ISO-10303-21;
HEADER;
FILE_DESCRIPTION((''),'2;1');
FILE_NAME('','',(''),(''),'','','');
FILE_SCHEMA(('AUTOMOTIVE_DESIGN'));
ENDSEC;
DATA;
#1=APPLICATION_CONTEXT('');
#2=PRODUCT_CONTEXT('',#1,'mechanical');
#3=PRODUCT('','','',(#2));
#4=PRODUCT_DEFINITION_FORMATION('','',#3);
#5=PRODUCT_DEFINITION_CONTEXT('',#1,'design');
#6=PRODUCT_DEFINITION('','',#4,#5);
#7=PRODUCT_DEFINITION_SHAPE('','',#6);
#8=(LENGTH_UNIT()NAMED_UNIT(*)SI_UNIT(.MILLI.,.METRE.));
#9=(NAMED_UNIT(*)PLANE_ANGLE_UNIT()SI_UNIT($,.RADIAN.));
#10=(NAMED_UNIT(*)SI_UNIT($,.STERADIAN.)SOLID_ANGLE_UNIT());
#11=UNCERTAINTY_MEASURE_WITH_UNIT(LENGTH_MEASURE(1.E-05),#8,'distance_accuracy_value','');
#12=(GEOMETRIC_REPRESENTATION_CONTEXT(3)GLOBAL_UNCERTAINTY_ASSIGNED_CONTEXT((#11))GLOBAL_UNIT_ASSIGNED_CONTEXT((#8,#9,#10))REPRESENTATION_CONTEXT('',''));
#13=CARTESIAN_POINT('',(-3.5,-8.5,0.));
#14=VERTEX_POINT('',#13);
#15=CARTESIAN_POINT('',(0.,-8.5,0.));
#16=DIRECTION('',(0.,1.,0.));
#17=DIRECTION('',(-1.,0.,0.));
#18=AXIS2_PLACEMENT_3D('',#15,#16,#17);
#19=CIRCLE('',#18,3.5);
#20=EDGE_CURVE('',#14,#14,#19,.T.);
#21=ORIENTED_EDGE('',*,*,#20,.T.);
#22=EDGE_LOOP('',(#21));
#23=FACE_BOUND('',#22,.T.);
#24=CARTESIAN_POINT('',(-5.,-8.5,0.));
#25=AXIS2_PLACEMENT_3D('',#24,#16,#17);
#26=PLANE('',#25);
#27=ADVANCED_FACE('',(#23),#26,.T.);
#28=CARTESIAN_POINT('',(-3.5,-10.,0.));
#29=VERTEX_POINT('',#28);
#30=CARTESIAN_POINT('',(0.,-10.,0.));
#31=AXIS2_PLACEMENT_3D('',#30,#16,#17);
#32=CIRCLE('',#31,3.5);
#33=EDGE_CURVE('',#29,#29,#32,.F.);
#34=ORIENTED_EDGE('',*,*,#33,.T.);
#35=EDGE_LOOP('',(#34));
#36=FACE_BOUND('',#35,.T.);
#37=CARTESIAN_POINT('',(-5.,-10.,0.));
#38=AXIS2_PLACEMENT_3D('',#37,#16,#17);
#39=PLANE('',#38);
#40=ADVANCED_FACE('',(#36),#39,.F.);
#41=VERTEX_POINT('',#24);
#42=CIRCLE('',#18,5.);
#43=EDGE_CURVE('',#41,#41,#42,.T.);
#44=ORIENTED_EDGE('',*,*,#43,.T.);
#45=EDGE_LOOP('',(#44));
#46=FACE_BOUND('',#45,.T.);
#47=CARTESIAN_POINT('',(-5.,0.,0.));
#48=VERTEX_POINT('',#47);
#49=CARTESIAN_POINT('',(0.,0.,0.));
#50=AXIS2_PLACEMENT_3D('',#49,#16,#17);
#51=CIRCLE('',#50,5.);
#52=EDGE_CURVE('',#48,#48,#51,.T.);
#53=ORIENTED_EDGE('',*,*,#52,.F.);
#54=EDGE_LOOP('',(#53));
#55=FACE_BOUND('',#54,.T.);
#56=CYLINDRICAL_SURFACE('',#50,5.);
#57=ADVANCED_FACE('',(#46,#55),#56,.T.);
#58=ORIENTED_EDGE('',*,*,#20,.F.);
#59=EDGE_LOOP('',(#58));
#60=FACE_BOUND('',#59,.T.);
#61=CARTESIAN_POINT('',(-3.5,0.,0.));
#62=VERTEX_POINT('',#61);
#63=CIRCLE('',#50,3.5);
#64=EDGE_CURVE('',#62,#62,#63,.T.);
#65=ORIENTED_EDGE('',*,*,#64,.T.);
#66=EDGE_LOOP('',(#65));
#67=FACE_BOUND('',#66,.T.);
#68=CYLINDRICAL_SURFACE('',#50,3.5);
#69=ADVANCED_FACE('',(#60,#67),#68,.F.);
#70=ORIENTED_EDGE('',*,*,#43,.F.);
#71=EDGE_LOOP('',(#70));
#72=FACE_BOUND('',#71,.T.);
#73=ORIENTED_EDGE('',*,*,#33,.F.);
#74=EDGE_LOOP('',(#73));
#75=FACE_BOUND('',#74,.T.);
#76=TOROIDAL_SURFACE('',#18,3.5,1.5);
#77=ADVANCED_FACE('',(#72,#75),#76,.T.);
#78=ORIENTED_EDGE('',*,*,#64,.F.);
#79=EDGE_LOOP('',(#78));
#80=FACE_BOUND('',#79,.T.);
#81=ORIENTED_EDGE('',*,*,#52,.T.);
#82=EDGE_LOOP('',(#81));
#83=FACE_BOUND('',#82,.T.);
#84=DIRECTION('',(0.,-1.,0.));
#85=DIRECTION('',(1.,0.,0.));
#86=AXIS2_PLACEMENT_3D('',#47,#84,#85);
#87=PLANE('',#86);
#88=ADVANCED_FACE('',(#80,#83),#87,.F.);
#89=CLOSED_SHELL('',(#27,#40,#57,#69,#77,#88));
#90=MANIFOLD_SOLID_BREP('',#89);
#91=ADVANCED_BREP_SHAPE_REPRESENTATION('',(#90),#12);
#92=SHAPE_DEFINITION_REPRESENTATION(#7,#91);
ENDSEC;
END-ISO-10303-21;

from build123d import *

# Parameters (mm, degrees)
FILLET_1_R = 1.5


with BuildPart() as part:
    # Эскиз1 → Повернуть-Тонкостенный1 (revolve)
    with BuildSketch(Plane.XY):
        Polygon((0, -10), (-5, -10), (-5, 0), (-3.5, 0), (-3.5, -8.5), (0, -8.5), align=None)
    revolve(axis=Axis((0, 0, 0), (0, -1, 0)))

    # Скругление1
    fillet_1_edges = [part.edges().sort_by_distance(p)[0] for p in [
        (5, -10, 0),
    ]]
    fillet(fillet_1_edges, radius=FILLET_1_R)


solid = part.part
